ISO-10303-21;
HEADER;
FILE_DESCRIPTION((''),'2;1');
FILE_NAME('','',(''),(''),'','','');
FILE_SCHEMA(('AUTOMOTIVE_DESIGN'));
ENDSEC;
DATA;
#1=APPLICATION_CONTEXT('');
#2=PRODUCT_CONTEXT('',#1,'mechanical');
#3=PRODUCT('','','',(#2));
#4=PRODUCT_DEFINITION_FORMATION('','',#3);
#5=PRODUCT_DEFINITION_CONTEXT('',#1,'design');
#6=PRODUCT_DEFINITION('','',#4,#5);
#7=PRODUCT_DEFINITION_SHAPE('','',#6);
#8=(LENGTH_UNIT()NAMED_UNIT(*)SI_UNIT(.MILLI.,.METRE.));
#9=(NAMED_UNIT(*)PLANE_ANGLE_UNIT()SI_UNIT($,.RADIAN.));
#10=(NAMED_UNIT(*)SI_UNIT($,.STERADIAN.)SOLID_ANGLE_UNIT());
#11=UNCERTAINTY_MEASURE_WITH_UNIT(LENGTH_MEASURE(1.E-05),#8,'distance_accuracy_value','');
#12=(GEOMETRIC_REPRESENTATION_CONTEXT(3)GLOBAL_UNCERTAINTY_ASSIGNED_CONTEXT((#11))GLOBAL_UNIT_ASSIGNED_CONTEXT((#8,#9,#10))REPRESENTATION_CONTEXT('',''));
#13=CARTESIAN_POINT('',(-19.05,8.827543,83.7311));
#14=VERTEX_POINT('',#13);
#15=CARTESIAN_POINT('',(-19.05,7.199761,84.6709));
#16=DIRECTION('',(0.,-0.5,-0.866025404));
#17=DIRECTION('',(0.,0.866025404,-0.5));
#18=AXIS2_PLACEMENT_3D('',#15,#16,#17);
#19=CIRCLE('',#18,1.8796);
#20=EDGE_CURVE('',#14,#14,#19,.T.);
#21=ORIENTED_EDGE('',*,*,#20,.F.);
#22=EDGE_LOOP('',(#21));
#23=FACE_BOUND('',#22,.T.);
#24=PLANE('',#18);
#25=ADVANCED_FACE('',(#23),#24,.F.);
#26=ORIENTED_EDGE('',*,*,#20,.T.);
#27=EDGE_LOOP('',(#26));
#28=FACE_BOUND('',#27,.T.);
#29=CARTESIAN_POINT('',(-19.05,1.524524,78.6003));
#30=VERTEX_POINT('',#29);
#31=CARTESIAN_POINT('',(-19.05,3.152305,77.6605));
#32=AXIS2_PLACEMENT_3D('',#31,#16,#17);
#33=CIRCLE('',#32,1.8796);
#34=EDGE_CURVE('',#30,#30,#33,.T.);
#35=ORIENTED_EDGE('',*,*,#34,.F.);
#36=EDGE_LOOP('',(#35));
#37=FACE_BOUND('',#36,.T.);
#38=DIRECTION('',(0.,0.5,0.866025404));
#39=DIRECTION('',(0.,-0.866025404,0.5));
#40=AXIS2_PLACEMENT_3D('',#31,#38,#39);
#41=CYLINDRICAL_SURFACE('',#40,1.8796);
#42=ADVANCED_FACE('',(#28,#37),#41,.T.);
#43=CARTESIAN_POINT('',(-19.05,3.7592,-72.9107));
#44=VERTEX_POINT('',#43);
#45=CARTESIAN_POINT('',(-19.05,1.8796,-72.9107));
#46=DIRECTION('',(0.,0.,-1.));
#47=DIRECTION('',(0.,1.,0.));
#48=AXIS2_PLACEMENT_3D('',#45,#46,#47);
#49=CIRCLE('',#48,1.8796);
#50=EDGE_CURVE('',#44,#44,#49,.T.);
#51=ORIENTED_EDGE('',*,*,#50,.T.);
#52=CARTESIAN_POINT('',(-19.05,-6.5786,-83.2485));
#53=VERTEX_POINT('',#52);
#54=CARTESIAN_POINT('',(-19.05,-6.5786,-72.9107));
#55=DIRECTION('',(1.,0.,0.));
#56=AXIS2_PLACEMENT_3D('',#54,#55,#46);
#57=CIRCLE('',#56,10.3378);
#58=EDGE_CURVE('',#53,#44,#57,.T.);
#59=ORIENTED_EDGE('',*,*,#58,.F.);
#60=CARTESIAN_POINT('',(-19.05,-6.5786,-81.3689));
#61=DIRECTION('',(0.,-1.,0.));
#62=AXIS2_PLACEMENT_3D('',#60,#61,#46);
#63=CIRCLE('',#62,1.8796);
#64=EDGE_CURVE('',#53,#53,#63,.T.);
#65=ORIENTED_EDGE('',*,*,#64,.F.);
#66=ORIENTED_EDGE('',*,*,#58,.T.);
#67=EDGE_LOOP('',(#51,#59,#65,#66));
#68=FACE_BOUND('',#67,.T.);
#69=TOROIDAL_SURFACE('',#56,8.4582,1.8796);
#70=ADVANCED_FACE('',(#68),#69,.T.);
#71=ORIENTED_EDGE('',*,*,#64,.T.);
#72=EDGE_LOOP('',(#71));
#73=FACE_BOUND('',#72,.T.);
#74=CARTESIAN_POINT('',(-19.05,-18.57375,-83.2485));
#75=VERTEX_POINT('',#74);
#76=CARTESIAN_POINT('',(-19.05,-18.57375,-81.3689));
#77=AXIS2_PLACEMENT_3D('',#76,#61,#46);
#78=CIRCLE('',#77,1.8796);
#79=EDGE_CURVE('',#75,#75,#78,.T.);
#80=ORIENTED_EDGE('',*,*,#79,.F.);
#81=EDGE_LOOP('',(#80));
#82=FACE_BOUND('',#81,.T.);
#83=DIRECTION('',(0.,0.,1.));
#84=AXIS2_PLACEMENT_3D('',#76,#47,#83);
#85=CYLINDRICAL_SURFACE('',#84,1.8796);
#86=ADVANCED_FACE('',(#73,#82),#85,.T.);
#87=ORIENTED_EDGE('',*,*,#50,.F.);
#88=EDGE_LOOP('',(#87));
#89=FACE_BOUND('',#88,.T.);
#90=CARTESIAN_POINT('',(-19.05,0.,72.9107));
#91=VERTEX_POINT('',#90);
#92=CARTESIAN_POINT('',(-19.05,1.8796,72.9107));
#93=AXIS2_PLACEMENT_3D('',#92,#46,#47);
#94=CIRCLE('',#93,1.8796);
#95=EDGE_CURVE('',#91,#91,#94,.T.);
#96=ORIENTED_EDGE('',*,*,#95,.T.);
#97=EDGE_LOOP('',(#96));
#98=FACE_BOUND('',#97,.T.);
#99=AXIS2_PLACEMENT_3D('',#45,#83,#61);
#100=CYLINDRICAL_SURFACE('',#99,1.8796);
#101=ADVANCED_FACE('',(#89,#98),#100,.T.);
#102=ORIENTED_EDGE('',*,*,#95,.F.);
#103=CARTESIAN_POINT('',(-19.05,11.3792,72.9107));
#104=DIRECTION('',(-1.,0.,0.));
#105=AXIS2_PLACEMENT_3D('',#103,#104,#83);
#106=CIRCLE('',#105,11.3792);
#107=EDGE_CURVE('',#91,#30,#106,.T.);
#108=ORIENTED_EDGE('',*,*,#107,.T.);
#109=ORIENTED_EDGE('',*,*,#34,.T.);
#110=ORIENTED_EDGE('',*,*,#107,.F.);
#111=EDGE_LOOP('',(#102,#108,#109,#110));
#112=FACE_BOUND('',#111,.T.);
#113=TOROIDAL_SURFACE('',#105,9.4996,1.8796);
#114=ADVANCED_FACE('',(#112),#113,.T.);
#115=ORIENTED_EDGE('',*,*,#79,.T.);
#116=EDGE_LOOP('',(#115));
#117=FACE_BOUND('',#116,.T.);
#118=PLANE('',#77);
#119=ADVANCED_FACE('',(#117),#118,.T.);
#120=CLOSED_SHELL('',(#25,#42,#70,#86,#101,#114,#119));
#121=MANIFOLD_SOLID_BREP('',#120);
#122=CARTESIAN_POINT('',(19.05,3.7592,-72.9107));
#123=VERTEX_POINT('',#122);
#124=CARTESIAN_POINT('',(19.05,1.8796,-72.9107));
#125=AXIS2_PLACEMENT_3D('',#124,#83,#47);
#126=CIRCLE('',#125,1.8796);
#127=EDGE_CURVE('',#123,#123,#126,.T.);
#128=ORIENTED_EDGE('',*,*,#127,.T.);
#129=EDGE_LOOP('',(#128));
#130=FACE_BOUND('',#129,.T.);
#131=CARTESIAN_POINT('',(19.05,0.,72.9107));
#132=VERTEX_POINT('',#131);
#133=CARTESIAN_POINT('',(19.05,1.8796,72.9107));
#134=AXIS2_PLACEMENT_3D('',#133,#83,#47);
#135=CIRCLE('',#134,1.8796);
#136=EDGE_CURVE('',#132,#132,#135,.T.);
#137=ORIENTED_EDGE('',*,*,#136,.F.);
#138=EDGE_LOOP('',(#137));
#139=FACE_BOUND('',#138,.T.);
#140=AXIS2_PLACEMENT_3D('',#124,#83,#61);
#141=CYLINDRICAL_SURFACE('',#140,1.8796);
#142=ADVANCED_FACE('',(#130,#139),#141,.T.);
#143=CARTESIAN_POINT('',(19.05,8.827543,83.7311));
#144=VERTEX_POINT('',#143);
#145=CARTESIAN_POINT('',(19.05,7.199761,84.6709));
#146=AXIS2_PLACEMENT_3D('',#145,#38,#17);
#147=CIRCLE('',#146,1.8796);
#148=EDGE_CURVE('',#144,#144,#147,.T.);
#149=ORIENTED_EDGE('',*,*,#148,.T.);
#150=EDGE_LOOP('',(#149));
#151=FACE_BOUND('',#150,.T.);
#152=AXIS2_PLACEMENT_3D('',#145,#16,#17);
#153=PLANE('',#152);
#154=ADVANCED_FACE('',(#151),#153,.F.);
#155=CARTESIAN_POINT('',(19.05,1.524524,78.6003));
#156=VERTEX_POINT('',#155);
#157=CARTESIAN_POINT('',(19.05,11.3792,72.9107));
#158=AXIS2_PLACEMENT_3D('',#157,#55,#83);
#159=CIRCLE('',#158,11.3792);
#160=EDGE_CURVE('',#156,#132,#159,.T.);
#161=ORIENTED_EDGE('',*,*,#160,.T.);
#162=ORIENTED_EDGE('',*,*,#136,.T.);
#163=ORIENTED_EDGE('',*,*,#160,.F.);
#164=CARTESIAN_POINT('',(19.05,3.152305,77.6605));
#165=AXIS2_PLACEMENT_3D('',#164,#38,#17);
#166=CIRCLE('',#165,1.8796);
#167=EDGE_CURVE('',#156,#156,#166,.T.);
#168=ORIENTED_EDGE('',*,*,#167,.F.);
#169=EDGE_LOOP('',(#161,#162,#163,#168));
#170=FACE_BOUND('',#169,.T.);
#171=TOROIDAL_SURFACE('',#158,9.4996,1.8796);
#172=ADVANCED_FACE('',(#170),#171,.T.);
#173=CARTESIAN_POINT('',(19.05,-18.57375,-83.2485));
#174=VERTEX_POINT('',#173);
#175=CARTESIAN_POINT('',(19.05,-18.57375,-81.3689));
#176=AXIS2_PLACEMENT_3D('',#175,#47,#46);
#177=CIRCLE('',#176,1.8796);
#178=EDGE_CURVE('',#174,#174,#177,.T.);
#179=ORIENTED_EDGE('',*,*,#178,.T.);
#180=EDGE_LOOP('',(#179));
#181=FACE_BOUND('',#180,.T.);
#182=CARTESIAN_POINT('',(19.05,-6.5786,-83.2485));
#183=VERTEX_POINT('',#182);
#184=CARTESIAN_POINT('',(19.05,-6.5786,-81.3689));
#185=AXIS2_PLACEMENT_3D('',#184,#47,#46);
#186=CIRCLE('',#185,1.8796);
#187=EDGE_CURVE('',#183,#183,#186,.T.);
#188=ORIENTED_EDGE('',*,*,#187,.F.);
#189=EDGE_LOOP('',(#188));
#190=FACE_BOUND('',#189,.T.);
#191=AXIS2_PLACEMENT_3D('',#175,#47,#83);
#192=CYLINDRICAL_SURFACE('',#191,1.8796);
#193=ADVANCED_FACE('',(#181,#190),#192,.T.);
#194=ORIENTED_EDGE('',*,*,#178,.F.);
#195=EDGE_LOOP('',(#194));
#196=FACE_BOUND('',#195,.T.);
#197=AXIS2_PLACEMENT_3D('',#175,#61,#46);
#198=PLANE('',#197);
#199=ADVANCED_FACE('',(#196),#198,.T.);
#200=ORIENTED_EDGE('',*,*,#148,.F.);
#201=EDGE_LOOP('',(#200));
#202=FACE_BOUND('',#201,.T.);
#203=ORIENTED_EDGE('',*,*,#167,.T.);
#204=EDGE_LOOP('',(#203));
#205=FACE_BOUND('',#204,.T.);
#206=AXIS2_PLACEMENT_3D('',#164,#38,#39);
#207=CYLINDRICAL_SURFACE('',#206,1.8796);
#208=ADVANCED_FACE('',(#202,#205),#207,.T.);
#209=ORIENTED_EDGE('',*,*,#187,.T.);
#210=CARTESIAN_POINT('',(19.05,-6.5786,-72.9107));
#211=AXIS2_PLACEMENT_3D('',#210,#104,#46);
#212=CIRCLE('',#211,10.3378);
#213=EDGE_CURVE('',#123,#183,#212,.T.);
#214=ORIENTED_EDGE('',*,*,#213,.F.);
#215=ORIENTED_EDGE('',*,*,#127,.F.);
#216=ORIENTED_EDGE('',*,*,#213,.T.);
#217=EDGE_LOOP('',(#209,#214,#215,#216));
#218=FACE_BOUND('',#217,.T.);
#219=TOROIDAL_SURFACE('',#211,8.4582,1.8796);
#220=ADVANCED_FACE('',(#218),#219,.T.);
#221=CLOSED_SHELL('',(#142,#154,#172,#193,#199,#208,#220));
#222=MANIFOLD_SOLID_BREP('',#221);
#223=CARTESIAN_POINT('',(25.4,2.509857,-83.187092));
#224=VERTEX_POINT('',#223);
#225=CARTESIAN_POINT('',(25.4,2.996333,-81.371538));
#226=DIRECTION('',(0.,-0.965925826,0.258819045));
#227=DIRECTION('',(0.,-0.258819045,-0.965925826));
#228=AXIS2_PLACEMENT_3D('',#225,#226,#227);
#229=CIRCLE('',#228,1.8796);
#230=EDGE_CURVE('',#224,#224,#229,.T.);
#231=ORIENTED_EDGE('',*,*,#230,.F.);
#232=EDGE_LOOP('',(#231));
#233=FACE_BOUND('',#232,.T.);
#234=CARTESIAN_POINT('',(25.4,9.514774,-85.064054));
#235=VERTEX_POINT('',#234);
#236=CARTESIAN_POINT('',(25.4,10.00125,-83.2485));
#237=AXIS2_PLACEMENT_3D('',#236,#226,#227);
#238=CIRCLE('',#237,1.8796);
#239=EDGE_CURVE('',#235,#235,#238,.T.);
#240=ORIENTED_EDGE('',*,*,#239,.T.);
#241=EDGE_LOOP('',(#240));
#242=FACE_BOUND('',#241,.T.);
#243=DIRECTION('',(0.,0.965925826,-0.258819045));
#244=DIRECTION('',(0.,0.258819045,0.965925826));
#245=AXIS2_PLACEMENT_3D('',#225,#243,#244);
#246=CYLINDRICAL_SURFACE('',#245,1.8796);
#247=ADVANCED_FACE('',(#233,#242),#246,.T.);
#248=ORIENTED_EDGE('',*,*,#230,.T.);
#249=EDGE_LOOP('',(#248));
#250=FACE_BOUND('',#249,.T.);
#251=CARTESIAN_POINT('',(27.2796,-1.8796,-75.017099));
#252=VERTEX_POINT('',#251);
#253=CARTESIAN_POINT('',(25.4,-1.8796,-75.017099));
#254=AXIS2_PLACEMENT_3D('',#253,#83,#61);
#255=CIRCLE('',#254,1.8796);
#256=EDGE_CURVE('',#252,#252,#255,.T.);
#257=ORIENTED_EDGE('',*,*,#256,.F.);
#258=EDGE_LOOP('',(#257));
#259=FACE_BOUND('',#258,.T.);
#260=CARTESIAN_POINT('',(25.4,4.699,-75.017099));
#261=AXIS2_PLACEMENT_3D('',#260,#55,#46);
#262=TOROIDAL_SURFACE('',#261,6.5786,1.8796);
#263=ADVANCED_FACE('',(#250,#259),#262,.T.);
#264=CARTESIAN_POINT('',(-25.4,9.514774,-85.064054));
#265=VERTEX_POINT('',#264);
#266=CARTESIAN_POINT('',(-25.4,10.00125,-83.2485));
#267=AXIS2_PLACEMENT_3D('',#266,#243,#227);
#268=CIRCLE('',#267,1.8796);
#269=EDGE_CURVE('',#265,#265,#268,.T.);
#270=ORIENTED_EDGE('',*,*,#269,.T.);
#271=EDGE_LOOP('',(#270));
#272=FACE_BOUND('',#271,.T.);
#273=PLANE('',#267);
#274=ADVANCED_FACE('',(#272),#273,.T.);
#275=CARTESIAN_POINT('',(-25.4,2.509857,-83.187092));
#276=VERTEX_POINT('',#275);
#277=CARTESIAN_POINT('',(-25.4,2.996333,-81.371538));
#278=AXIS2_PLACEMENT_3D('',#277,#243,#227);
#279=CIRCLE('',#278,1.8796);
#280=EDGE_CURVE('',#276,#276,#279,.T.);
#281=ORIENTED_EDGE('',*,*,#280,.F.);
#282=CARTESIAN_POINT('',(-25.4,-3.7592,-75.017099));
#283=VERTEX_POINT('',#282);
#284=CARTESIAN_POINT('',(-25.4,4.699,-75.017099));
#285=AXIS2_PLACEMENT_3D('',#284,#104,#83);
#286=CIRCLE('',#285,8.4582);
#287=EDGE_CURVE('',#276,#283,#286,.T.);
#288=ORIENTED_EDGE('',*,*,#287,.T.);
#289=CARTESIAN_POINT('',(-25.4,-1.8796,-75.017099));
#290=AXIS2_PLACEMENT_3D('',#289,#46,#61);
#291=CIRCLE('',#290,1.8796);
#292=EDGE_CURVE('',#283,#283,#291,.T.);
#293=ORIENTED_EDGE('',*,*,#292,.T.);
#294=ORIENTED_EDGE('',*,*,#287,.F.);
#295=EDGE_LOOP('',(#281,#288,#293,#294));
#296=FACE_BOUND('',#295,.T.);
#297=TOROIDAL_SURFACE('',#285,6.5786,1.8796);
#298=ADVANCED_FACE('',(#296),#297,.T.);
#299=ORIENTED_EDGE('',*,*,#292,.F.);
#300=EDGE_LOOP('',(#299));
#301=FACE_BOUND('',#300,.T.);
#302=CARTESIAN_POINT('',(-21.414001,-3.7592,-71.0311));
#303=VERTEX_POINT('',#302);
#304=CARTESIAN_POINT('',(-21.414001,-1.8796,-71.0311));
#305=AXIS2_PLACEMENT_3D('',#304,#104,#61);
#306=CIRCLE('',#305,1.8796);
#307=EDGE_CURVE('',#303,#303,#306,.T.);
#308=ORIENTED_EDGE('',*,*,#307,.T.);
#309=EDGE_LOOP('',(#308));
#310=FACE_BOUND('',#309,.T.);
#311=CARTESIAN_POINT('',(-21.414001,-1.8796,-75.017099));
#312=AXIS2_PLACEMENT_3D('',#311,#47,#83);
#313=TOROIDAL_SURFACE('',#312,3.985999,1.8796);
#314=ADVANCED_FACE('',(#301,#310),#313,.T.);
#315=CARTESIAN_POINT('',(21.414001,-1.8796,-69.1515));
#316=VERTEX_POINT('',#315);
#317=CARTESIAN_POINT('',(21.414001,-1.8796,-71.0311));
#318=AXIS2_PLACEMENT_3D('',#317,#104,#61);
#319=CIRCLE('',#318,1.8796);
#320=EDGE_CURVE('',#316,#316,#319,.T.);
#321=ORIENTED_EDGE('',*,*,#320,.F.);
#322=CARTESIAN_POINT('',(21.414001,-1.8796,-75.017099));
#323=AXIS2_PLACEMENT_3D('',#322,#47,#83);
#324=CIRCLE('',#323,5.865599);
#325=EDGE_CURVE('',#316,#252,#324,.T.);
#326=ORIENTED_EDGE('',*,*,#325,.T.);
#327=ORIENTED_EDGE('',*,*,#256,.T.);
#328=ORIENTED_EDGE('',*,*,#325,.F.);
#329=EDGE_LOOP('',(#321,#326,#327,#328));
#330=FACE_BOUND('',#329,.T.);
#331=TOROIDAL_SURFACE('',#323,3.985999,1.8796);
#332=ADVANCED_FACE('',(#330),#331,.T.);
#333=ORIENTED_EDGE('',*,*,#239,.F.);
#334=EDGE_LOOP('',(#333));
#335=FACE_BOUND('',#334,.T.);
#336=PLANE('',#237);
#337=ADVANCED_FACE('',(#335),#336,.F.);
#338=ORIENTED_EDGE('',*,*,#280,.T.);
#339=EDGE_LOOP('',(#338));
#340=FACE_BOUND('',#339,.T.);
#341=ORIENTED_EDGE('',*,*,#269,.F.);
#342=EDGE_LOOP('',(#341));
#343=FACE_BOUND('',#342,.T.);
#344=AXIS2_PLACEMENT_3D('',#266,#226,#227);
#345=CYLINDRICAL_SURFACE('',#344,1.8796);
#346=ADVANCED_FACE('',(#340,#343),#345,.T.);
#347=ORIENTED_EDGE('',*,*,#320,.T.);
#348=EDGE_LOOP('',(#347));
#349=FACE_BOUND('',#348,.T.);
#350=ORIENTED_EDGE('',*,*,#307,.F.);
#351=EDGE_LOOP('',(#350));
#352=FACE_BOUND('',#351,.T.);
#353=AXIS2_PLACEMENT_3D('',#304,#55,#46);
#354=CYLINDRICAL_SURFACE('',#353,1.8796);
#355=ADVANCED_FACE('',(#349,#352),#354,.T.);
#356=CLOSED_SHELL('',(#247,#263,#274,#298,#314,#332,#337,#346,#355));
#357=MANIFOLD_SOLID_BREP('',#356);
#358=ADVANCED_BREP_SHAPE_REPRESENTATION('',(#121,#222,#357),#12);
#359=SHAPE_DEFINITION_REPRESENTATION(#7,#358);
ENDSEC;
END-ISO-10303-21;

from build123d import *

# Parameters (mm, degrees)
SKETCH11_R       = 1.8796
SWEEP2_PROFILE_R = 1.8796
LPATTERN1_COUNT  = 2
LPATTERN1_PITCH  = 19.05


with BuildPart() as part:
    # Sweep1: sweep along a path in Sketch3
    with BuildLine(Plane(origin=(0, 0, 0), x_dir=(0, 0, -1), z_dir=(1, 0, 0))) as sweep1_path:
        Line((79.4893, -18.57375), (79.4893, -6.5786))
        ThreePointArc((79.4893, -6.5786), (77.562472671, -1.926827329), (72.9107, 0))
        Line((72.9107, 0), (-72.9107, 0))
        ThreePointArc((-72.9107, 0), (-75.855853678, 0.387736837), (-78.6003, 1.524523725))
        Line((-78.6003, 1.524523725), (-85.6107, 5.571980052))
    # Sketch11 → Sweep1 (sweep)
    with BuildSketch(Plane(origin=(0, -18.57375, 0), x_dir=(0, 0, -1), z_dir=(0, -1, 0))):
        with Locations((81.3689, 0)):
            Circle(SKETCH11_R)
    sweep(path=sweep1_path.line)


with BuildPart() as body_2:
    # Sweep2: sweep along a curve in space
    with BuildLine() as sweep2_path:
        Line((-25.4, 10.00125, -83.2485), (-25.4, 2.99633303, -81.371538155))
        ThreePointArc((-25.4, 2.99633303, -81.371538155), (-25.4, -0.520154284, -79.021896451), (-25.4, -1.8796, -75.017098514))
        ThreePointArc((-25.4, -1.8796, -75.017098514), (-24.232528065, -1.8796, -72.198571935), (-21.414001486, -1.8796, -71.0311))
        Line((-21.414001486, -1.8796, -71.0311), (21.414001486, -1.8796, -71.0311))
        ThreePointArc((21.414001486, -1.8796, -71.0311), (24.232528065, -1.8796, -72.198571935), (25.4, -1.8796, -75.017098514))
        ThreePointArc((25.4, -1.8796, -75.017098514), (25.4, -0.520154284, -79.021896451), (25.4, 2.99633303, -81.371538155))
        Line((25.4, 2.99633303, -81.371538155), (25.4, 10.00125, -83.2485))
    # Sweep2 profile (on start of the path) → Sweep2 (sweep)
    with BuildSketch(Plane(origin=(-25.4, 10.00125, -83.2485), x_dir=(0, -0.2588190451025188, -0.9659258262890689), z_dir=(0, -0.9659258262890689, 0.2588190451025188))):
        Circle(SWEEP2_PROFILE_R)
    sweep(path=sweep2_path.line)


with BuildPart() as lpattern1_1:
    # LPattern1: pattern copy
    add(part.part.moved(Location(Vector(-1, 0, 0) * (1 * LPATTERN1_PITCH))))


with BuildPart() as body_4:
    # Mirror1: mirrored copy
    add(lpattern1_1.part.mirror(Plane(origin=(0, 0, 0), x_dir=(0, 0, 1), z_dir=(1, 0, 0))))


solid = Compound([body_2.part, lpattern1_1.part, body_4.part])
